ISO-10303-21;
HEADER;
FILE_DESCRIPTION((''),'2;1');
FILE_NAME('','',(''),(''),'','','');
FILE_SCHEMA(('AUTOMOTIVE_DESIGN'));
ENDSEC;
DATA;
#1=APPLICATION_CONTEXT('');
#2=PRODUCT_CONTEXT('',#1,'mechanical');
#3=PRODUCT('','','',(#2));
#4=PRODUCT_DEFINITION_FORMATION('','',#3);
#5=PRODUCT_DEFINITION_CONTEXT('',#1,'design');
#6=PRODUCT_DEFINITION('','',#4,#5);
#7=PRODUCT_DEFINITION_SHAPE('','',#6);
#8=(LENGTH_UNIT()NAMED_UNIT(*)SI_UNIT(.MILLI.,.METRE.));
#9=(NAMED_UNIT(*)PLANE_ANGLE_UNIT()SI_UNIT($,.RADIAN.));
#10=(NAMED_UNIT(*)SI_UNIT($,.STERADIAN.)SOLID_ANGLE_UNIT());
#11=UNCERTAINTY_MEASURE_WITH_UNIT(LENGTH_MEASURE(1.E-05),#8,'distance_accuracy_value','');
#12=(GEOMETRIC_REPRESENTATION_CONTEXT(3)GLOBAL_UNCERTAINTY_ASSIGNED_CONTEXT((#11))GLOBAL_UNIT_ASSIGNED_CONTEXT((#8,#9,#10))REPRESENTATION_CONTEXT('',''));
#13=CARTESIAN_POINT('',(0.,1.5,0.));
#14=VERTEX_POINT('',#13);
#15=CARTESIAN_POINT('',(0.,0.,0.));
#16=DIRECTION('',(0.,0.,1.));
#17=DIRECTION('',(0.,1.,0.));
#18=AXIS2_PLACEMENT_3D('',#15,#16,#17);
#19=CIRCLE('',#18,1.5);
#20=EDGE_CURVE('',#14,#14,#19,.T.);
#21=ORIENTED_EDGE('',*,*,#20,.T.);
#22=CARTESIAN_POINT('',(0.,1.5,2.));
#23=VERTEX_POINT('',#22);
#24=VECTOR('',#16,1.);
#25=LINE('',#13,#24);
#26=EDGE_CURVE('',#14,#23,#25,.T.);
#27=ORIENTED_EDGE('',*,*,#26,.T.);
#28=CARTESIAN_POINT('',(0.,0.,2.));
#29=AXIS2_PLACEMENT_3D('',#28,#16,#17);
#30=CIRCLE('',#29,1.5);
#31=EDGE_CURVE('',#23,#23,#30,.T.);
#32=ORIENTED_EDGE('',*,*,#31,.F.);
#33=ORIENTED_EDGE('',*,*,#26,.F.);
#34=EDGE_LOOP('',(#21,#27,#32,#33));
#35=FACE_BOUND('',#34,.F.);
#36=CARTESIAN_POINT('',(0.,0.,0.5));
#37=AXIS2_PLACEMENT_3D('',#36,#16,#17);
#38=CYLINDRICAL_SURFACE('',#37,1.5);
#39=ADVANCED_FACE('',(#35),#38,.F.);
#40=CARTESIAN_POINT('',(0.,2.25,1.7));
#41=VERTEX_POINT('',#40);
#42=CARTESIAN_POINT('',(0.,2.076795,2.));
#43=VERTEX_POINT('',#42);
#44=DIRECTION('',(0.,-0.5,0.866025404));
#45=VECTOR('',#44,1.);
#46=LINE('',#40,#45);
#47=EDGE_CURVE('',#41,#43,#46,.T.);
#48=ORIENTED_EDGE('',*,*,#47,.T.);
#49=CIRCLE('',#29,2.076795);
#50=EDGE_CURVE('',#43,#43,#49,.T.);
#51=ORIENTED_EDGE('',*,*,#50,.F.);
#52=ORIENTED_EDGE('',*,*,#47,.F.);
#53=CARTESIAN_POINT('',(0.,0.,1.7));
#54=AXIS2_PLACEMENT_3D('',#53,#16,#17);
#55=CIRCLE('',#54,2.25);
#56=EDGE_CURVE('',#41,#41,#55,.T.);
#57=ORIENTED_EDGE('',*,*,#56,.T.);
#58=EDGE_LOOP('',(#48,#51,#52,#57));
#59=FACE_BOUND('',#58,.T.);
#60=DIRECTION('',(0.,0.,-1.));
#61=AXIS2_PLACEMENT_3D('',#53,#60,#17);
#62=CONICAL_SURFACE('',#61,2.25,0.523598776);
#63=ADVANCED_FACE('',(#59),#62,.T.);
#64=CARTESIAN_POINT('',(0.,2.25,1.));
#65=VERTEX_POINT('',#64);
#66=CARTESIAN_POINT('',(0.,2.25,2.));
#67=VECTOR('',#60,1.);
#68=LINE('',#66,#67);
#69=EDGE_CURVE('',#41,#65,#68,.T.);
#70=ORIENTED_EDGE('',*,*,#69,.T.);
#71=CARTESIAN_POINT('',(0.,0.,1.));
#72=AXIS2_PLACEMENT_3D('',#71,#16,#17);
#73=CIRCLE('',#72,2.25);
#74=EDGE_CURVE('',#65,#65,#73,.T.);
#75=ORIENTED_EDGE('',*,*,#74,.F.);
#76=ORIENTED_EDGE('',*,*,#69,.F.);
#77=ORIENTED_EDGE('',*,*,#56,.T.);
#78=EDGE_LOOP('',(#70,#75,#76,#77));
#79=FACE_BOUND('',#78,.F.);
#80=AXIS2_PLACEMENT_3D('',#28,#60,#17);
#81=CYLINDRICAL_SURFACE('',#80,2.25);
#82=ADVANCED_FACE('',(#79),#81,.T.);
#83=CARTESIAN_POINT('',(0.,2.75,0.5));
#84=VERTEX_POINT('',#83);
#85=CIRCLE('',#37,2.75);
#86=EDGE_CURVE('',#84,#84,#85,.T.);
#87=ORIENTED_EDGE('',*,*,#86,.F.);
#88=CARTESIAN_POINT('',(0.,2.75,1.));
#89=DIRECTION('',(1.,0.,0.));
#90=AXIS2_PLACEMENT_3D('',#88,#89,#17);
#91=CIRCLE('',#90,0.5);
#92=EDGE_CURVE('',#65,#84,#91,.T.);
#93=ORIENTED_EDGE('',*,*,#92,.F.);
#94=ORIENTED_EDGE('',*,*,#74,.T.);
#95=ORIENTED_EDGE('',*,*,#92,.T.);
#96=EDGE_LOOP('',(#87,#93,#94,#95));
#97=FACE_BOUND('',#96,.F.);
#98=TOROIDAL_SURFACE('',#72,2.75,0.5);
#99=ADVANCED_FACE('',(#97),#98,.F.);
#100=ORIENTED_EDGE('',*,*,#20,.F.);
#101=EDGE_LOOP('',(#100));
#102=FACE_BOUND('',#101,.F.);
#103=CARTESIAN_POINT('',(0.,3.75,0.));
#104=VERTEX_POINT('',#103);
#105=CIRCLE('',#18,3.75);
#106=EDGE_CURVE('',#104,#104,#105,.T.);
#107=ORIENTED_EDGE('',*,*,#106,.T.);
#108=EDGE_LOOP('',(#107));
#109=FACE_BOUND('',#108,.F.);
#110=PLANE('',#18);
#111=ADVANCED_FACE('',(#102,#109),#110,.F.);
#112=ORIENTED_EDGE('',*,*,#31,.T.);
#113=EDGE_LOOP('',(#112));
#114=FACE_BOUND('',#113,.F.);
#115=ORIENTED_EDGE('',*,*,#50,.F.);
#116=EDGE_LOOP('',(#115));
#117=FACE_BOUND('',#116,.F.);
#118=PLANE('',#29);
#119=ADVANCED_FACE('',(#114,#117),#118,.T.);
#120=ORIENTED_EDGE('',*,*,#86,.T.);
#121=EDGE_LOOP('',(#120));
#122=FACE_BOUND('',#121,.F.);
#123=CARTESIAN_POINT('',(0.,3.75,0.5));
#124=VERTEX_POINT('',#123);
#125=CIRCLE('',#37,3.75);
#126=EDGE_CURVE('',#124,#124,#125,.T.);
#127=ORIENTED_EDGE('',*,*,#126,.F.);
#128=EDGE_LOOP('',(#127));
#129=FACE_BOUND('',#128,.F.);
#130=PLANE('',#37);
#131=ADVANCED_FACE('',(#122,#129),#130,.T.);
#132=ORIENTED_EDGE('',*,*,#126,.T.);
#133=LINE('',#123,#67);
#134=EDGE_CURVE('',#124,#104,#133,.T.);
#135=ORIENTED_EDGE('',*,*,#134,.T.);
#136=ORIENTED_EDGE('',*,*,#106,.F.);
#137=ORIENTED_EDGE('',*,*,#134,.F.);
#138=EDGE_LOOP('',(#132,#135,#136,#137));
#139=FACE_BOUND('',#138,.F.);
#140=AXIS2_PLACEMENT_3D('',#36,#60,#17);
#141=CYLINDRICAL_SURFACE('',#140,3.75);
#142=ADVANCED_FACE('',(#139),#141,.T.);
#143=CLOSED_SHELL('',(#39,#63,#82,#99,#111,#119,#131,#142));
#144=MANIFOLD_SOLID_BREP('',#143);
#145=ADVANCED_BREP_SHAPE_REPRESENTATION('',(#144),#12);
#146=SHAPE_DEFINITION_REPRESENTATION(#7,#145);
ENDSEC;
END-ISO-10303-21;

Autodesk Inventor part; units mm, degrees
ref_plane "YZ Plane" through (0, 0, 0) normal (1, 0, 0) x (0, 1, 0)
ref_plane "XZ Plane" through (0, 0, 0) normal (0, 1, 0) x (-1, 0, 0)
ref_plane "XY Plane" through (0, 0, 0) normal (0, 0, 1) x (1, 0, 0)
sketch "スケッチ1" plane through (0, 0, 0) normal (1, 0, 0) x (0, 1, 0)
  line L0 (0, -0.4) -> (0, 2.4) construction
  line L1 (1.5, 2) -> (2.25, 2)
  line L2 (2.25, 2) -> (2.25, 0.5)
  line L3 (2.25, 0.5) -> (1.5, 0.5)
  line L4 (1.5, 0.5) -> (1.5, 2)
  line L5 (1.5, 0.5) -> (3.75, 0.5)
  line L6 (3.75, 0.5) -> (3.75, 0)
  line L7 (3.75, 0) -> (1.5, 0)
  line L8 (1.5, 0) -> (1.5, 0.5)
  point P0 (0, 0)
  point P1 (2.25, 0.5)
  dimension "d0" = 3
  dimension "d1" = 4.5
  dimension "d2" = 0.5
  dimension "d3" = 2
  dimension "d4" = 7.5
revolve "回転1" add sketch "スケッチ1" angle 360 about axis through (0, 0, -10) along (0, 0, 1)
fillet "フィレット1" radius 0.5 1 edges at (0, -2.25, 0.5)
chamfer "面取り1" distance 0.3 angle 30 1 edges at (0, -2.25, 2) measured on face at (0.181, 2.2427, 1.3333)
properties part number "_GFM-0608-04" material "アセタール樹脂、黒"
